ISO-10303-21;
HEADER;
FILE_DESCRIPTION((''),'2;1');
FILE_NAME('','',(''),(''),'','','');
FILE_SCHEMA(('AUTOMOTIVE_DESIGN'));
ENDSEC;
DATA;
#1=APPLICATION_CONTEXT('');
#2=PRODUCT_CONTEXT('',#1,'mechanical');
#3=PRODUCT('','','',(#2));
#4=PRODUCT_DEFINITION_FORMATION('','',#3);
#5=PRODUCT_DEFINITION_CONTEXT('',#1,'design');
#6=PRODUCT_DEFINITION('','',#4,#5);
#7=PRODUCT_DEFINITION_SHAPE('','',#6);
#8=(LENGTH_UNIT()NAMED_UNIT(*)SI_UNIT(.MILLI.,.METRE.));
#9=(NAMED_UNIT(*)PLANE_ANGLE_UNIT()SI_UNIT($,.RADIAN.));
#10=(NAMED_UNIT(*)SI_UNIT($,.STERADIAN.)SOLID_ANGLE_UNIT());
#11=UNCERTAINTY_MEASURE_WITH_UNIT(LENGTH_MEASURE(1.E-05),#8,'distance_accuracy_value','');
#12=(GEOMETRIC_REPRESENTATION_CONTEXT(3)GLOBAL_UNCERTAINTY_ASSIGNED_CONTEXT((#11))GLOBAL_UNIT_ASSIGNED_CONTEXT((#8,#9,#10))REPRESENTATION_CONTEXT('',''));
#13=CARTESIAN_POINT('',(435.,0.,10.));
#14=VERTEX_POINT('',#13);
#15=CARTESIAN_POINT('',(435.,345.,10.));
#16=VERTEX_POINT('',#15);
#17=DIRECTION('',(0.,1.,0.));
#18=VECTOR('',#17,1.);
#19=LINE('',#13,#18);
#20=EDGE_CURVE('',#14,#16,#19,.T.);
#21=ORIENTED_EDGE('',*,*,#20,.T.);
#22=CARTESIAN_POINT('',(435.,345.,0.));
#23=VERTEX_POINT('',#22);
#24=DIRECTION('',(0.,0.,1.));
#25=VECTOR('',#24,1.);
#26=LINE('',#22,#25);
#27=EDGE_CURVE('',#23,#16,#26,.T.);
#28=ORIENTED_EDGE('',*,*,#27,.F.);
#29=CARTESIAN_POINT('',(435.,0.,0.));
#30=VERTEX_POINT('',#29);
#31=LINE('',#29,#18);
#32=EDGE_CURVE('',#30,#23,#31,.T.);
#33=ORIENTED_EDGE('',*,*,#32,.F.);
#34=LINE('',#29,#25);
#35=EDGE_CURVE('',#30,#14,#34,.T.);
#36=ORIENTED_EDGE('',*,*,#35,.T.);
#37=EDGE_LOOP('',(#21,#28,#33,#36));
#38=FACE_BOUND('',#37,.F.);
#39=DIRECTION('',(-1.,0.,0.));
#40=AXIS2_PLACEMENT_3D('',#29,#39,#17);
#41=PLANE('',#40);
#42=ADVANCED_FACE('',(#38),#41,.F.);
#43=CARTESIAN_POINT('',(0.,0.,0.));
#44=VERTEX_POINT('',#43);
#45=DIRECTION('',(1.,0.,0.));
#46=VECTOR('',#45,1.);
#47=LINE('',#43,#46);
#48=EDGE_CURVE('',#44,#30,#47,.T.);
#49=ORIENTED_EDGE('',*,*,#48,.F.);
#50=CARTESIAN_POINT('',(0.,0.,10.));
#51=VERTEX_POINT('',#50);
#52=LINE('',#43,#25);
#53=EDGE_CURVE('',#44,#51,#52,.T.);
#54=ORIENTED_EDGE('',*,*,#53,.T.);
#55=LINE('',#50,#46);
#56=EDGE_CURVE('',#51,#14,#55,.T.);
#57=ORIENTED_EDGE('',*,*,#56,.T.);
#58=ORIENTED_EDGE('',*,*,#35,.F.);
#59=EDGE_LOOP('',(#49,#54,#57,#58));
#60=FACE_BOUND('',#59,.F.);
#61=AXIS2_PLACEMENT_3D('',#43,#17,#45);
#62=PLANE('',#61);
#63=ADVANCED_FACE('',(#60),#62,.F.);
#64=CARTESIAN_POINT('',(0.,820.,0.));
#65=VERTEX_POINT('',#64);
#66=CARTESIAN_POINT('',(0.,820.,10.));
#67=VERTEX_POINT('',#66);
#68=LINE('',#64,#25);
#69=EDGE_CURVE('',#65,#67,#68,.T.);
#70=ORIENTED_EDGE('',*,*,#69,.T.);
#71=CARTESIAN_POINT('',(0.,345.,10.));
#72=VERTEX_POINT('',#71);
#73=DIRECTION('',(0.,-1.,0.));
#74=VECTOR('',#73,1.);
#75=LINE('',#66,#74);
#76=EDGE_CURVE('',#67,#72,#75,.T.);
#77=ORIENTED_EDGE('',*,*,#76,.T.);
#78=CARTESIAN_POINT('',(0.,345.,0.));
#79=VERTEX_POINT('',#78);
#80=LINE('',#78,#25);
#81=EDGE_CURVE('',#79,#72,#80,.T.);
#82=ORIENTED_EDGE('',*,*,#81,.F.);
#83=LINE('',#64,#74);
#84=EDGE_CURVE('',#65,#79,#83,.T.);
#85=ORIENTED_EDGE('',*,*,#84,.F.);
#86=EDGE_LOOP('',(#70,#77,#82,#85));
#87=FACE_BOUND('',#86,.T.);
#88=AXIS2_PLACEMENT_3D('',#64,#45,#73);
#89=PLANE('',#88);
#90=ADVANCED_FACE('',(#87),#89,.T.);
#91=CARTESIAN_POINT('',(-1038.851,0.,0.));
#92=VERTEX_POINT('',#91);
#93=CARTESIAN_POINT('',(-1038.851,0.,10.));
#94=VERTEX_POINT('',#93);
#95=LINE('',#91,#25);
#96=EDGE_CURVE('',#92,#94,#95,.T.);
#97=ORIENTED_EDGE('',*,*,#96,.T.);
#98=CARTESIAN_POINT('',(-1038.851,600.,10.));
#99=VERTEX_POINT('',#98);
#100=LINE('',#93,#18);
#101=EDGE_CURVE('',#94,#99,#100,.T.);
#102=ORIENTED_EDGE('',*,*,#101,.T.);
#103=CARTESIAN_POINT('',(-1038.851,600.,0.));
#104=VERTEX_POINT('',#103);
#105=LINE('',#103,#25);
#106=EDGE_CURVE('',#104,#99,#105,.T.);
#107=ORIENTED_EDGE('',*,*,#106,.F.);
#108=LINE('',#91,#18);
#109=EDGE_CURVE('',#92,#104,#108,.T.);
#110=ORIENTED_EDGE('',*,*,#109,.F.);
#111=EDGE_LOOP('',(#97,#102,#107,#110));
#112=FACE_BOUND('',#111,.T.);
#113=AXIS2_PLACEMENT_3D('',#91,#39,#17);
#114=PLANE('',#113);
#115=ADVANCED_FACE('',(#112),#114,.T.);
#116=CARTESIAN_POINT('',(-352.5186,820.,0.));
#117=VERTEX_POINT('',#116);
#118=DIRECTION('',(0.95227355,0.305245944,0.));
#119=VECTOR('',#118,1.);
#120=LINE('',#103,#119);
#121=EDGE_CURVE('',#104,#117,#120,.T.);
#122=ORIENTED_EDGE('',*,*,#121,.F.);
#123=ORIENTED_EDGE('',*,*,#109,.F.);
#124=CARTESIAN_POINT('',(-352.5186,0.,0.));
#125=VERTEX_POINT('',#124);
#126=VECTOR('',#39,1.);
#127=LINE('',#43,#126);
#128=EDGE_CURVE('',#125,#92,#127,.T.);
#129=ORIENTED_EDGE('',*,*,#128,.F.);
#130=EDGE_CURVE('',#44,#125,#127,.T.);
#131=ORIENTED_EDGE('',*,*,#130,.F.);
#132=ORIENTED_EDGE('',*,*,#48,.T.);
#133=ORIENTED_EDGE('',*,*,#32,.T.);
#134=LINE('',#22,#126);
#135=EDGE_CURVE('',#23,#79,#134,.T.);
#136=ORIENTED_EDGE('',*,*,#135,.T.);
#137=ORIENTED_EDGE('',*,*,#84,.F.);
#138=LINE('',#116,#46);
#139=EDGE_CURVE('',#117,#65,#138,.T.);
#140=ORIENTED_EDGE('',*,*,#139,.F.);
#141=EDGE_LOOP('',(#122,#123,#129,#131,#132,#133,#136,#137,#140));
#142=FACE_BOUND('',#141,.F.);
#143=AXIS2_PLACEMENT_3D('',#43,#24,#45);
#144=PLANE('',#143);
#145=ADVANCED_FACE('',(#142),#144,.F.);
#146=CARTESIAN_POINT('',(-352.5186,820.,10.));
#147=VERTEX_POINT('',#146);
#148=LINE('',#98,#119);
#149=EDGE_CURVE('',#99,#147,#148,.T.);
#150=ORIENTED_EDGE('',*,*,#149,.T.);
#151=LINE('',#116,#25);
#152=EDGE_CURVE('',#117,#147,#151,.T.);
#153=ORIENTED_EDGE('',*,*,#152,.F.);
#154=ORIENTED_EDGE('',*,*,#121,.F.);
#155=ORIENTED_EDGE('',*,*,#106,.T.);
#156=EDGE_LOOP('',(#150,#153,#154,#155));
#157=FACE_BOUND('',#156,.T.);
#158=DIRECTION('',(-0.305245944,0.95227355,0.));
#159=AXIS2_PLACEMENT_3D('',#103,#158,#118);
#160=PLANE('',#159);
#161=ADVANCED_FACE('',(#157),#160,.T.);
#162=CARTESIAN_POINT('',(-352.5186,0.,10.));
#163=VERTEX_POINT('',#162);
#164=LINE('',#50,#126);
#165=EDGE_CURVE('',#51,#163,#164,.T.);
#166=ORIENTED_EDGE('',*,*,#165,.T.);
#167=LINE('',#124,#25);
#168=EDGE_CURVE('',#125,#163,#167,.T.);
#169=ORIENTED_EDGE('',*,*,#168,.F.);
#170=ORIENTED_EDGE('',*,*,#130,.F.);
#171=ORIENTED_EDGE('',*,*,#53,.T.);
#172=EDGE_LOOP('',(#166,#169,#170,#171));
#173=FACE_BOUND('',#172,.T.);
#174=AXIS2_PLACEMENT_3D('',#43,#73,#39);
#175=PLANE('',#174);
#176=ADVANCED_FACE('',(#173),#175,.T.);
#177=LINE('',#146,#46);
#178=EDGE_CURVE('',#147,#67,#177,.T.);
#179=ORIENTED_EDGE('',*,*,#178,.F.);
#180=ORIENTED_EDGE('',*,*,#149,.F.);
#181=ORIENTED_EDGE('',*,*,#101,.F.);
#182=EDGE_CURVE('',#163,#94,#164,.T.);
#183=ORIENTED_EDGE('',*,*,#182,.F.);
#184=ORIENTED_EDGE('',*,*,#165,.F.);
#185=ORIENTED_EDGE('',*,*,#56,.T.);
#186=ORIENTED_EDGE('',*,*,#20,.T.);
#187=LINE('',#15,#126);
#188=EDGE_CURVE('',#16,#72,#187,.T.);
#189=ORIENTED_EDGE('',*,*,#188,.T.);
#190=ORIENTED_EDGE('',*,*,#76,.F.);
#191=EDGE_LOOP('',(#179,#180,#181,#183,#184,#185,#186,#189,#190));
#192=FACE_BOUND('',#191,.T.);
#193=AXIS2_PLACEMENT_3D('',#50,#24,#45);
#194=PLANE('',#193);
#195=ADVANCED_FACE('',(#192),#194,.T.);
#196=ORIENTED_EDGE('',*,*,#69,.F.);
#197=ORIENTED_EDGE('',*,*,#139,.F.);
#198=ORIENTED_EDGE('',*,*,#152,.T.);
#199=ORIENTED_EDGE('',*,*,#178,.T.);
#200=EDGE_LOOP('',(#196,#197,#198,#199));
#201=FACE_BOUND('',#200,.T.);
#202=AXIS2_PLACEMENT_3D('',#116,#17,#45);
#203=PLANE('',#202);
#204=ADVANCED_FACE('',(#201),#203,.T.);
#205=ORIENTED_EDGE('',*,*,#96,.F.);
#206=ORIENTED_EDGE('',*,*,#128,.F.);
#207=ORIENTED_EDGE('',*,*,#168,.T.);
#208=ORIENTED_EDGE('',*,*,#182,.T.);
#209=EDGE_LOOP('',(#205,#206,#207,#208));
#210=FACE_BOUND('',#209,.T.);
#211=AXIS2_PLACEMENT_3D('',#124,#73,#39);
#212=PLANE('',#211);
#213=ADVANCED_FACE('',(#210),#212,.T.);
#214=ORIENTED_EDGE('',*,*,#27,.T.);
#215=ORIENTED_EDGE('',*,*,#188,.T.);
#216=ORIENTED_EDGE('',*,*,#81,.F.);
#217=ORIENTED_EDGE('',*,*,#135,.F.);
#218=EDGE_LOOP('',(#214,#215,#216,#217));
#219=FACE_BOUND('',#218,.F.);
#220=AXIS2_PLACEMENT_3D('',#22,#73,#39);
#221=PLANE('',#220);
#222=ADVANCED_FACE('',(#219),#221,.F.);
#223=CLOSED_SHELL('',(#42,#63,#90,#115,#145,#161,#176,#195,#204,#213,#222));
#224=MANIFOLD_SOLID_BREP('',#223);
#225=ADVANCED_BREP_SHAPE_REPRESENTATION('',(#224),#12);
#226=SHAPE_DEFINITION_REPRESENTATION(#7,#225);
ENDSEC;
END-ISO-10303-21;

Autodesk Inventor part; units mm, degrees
ref_plane "YZ Plane" through (0, 0, 0) normal (1, 0, 0) x (0, 1, 0)
ref_plane "XZ Plane" through (0, 0, 0) normal (0, 1, 0) x (-1, 0, 0)
ref_plane "XY Plane" through (0, 0, 0) normal (0, 0, 1) x (1, 0, 0)
sketch "스케치4" plane through (0, 0, 0) normal (0, 0, 1) x (1, 0, 0)
  line L0 (0, 0) -> (435, 0)
  line L1 (435, 0) -> (435, 345)
  line L2 (435, 345) -> (0, 345)
  line L3 (0, 0) -> (-1038.851, 0)
  line L4 (-1038.851, 0) -> (-1038.851, 600)
  line L5 (0, 0) -> (-352.5186, 0)
  line L6 (-352.5186, 820) -> (0, 820)
  line L7 (0, 820) -> (0, 345)
  line L8 (-1038.851, 600) -> (-352.5186, 820)
  dimension "d46" = 435
  dimension "d47" = 1473.851
  dimension "d48" = 345
  dimension "d49" = 475
  dimension "d50" = 435
  dimension "d53" = 787.5186
  dimension "d56" = 600
extrude "돌출3" add sketch "스케치4" along normal blind 10
properties part number "사이드 카울"
